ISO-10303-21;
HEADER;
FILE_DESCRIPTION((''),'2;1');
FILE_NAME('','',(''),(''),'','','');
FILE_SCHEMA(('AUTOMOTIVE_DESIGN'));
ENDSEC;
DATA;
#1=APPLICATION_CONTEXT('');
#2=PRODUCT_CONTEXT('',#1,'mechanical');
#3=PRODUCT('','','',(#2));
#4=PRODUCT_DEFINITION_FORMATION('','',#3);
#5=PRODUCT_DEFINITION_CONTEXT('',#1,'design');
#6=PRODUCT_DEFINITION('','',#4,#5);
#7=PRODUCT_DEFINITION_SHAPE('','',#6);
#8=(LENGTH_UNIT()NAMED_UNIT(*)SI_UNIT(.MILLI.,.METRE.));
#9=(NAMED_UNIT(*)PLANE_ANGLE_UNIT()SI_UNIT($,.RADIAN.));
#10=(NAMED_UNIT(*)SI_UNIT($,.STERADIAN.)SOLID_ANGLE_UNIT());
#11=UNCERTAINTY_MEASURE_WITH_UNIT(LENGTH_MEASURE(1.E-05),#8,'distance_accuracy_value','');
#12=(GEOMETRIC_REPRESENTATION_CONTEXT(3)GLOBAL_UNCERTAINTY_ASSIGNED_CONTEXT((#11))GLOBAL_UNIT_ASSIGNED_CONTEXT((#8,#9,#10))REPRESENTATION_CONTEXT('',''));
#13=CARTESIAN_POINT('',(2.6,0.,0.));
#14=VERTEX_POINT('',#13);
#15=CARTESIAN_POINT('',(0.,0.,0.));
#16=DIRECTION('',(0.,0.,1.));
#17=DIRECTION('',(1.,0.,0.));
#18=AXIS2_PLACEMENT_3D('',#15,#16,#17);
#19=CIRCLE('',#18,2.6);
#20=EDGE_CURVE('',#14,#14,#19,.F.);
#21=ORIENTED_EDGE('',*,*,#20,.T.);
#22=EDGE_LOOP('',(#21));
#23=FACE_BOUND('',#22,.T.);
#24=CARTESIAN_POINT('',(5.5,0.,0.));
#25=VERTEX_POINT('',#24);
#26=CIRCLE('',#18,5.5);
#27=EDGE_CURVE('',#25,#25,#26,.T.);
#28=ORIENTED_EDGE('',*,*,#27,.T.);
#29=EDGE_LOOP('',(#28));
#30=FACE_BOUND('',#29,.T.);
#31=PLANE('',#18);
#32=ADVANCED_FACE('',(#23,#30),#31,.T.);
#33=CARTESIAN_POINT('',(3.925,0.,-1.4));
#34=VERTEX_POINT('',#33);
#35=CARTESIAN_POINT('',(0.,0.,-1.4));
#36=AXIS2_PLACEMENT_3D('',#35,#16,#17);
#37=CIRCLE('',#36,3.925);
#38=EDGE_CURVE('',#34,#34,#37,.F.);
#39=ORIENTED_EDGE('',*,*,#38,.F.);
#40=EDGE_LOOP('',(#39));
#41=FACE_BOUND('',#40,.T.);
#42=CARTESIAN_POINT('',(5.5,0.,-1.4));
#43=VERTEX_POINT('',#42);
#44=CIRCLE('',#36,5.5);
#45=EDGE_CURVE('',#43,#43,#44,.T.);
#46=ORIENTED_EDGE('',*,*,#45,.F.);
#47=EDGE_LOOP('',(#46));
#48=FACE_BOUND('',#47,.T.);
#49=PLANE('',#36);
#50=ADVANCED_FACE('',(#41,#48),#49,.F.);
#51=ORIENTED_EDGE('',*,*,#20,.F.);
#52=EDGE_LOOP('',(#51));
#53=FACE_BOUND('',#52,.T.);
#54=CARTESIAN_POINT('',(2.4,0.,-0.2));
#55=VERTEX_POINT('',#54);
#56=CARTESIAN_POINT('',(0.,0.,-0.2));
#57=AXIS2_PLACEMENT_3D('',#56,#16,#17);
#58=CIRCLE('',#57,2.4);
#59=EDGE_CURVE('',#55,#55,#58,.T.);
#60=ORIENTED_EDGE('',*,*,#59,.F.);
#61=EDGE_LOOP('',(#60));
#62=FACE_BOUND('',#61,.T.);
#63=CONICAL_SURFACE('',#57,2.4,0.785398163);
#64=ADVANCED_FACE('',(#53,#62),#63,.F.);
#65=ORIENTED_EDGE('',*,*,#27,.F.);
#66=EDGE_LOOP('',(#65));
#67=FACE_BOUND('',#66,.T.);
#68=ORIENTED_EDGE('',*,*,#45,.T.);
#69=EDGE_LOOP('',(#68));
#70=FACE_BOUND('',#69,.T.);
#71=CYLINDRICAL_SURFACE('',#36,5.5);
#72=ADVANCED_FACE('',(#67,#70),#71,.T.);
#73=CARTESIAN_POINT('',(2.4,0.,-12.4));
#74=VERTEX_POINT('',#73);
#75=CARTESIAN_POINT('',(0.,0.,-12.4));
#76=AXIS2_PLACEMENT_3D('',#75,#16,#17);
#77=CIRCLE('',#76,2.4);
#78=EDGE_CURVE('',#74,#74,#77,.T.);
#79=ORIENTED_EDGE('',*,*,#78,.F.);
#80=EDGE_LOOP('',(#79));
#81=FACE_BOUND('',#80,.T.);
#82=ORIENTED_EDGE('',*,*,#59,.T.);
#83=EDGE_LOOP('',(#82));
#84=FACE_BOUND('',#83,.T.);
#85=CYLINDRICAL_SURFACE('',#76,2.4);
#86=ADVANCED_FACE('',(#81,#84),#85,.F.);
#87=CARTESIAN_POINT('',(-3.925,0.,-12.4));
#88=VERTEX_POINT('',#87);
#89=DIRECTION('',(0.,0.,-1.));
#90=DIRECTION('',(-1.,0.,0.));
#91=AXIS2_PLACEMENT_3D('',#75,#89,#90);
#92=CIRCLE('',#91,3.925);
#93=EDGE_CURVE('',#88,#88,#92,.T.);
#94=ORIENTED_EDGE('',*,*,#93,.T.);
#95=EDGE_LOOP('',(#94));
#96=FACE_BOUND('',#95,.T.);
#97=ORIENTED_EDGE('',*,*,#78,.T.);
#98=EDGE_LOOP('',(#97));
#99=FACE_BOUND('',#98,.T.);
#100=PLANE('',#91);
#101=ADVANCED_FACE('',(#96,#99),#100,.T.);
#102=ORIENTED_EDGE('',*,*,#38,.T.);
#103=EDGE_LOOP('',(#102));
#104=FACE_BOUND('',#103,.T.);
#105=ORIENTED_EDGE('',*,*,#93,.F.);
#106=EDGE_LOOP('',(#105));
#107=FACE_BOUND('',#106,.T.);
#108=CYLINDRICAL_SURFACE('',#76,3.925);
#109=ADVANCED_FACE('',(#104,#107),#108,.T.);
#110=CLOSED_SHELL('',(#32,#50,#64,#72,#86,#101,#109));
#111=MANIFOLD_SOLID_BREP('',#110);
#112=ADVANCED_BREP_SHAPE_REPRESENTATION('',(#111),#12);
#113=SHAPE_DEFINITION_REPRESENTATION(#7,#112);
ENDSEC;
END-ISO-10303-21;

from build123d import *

# Parameters (mm, degrees)
SKETCH1_R          = 5.5
EXTRUDE1_DEPTH     = 1.4
SKETCH2_R          = 3.925
EXTRUDE2_DEPTH     = 11
SKETCH4_R          = 2.4
CUT_EXTRUDE1_DEPTH = 13.4
CHAMFER1_SIZE      = 0.2


with BuildPart() as part:
    # Sketch1 → Extrude1 (new body)
    with BuildSketch(Plane.XY):
        Circle(SKETCH1_R)
    extrude(amount=-EXTRUDE1_DEPTH)

    # Sketch2 → Extrude2 (add)
    with BuildSketch(Plane(origin=(0, 0, -1.4), x_dir=(-1, 0, 0), z_dir=(0, 0, -1))):
        Circle(SKETCH2_R)
    extrude(amount=EXTRUDE2_DEPTH)

    # Sketch4 → Cut-Extrude1 (cut, through all)
    with BuildSketch(Plane.XY):
        Circle(SKETCH4_R)
    extrude(amount=-CUT_EXTRUDE1_DEPTH, mode=Mode.SUBTRACT)

    # Chamfer1
    chamfer1_edges = [part.edges().sort_by_distance(p)[0] for p in [
        (-2.4, 0, 0),
    ]]
    chamfer(chamfer1_edges, length=CHAMFER1_SIZE)


solid = part.part
